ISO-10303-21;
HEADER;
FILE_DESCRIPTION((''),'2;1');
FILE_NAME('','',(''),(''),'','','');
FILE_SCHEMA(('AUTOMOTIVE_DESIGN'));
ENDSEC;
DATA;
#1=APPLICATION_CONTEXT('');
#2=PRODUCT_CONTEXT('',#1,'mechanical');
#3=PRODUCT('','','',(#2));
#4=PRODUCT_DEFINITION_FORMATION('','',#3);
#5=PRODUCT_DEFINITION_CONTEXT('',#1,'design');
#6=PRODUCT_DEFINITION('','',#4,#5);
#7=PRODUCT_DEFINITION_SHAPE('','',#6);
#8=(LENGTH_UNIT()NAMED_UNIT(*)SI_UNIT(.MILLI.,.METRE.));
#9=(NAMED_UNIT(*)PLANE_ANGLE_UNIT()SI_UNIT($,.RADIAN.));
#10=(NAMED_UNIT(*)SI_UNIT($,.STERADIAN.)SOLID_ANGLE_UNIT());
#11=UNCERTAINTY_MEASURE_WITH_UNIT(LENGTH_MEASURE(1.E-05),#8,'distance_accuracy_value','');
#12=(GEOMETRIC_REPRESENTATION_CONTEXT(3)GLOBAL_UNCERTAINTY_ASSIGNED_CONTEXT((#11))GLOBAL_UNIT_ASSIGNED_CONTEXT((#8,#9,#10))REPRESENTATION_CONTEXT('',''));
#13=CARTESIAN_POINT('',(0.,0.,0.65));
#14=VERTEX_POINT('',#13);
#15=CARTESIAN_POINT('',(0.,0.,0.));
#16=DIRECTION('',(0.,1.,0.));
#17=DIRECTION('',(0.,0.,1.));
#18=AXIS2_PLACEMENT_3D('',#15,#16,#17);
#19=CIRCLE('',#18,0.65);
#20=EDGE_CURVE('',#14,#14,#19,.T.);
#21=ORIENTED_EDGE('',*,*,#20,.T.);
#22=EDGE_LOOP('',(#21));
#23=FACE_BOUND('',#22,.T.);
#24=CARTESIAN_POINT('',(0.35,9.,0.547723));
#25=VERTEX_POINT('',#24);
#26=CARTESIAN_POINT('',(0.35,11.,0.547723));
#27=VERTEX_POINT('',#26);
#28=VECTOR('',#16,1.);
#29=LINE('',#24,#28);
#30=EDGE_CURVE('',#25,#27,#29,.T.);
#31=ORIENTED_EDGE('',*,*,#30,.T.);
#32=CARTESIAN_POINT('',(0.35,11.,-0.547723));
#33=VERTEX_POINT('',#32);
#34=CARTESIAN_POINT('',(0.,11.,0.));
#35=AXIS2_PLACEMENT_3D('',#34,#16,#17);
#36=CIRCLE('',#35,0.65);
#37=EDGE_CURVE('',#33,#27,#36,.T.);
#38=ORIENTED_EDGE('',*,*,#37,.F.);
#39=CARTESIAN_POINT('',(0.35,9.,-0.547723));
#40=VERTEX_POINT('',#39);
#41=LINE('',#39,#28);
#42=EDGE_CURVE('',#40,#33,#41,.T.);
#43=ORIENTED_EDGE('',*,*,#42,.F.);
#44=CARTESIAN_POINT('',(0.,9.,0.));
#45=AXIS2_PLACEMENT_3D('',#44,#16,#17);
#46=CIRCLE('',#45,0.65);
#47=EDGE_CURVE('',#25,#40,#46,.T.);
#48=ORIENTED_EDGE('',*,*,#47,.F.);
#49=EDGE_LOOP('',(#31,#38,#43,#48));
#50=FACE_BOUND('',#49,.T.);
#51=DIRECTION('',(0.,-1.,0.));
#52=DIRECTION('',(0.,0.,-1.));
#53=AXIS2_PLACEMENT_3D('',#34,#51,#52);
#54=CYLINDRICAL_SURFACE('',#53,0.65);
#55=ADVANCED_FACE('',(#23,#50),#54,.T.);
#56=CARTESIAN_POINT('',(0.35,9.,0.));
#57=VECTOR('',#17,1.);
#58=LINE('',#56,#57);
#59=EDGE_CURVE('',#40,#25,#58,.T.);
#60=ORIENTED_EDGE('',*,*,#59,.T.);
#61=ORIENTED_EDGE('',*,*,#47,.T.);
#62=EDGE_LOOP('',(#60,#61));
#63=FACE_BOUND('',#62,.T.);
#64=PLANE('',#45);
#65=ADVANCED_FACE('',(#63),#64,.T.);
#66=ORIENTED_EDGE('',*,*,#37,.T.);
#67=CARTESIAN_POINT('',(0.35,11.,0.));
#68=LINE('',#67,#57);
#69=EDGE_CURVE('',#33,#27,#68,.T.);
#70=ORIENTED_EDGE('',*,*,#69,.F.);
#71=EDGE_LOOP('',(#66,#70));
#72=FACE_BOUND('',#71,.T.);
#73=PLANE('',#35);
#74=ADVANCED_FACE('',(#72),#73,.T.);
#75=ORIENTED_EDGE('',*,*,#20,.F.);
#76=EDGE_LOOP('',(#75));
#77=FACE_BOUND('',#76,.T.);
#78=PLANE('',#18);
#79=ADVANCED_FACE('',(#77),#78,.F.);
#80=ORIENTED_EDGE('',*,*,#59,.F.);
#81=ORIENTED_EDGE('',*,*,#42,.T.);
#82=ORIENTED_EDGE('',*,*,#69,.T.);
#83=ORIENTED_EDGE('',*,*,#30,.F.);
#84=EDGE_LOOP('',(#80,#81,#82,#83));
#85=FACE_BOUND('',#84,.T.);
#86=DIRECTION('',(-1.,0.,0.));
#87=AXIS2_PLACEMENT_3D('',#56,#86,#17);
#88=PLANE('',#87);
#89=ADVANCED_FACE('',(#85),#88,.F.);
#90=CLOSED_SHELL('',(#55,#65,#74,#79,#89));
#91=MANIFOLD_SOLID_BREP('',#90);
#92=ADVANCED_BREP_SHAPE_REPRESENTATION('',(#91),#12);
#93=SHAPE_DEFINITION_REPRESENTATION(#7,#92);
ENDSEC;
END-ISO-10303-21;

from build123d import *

# Parameters (mm, degrees)
SKETCH1_R           = 0.65
BOSS_EXTRUDE1_DEPTH = 11
CUT_EXTRUDE1_DEPTH  = 2


with BuildPart() as part:
    # Sketch1 → Boss-Extrude1 (new body)
    with BuildSketch(Plane(origin=(0, 0, 0), x_dir=(1, 0, 0), z_dir=(0, 1, 0))):
        with Locations(Location((0, 0, 0), (0, 0, 270))):
            Circle(SKETCH1_R)
    extrude(amount=BOSS_EXTRUDE1_DEPTH)

    # Sketch2 → Cut-Extrude1 (cut)
    with BuildSketch(Plane(origin=(0, 11, 0), x_dir=(1, 0, 0), z_dir=(0, 1, 0))):
        Polygon((0.35, 13.668324631), (0.35, 0.547722558), (0.35, -0.547722558), (0.35, -13.668324631), (26.591204146, -13.668324631), (26.591204146, 13.668324631), align=None)
    extrude(amount=-CUT_EXTRUDE1_DEPTH, mode=Mode.SUBTRACT)


solid = part.part
